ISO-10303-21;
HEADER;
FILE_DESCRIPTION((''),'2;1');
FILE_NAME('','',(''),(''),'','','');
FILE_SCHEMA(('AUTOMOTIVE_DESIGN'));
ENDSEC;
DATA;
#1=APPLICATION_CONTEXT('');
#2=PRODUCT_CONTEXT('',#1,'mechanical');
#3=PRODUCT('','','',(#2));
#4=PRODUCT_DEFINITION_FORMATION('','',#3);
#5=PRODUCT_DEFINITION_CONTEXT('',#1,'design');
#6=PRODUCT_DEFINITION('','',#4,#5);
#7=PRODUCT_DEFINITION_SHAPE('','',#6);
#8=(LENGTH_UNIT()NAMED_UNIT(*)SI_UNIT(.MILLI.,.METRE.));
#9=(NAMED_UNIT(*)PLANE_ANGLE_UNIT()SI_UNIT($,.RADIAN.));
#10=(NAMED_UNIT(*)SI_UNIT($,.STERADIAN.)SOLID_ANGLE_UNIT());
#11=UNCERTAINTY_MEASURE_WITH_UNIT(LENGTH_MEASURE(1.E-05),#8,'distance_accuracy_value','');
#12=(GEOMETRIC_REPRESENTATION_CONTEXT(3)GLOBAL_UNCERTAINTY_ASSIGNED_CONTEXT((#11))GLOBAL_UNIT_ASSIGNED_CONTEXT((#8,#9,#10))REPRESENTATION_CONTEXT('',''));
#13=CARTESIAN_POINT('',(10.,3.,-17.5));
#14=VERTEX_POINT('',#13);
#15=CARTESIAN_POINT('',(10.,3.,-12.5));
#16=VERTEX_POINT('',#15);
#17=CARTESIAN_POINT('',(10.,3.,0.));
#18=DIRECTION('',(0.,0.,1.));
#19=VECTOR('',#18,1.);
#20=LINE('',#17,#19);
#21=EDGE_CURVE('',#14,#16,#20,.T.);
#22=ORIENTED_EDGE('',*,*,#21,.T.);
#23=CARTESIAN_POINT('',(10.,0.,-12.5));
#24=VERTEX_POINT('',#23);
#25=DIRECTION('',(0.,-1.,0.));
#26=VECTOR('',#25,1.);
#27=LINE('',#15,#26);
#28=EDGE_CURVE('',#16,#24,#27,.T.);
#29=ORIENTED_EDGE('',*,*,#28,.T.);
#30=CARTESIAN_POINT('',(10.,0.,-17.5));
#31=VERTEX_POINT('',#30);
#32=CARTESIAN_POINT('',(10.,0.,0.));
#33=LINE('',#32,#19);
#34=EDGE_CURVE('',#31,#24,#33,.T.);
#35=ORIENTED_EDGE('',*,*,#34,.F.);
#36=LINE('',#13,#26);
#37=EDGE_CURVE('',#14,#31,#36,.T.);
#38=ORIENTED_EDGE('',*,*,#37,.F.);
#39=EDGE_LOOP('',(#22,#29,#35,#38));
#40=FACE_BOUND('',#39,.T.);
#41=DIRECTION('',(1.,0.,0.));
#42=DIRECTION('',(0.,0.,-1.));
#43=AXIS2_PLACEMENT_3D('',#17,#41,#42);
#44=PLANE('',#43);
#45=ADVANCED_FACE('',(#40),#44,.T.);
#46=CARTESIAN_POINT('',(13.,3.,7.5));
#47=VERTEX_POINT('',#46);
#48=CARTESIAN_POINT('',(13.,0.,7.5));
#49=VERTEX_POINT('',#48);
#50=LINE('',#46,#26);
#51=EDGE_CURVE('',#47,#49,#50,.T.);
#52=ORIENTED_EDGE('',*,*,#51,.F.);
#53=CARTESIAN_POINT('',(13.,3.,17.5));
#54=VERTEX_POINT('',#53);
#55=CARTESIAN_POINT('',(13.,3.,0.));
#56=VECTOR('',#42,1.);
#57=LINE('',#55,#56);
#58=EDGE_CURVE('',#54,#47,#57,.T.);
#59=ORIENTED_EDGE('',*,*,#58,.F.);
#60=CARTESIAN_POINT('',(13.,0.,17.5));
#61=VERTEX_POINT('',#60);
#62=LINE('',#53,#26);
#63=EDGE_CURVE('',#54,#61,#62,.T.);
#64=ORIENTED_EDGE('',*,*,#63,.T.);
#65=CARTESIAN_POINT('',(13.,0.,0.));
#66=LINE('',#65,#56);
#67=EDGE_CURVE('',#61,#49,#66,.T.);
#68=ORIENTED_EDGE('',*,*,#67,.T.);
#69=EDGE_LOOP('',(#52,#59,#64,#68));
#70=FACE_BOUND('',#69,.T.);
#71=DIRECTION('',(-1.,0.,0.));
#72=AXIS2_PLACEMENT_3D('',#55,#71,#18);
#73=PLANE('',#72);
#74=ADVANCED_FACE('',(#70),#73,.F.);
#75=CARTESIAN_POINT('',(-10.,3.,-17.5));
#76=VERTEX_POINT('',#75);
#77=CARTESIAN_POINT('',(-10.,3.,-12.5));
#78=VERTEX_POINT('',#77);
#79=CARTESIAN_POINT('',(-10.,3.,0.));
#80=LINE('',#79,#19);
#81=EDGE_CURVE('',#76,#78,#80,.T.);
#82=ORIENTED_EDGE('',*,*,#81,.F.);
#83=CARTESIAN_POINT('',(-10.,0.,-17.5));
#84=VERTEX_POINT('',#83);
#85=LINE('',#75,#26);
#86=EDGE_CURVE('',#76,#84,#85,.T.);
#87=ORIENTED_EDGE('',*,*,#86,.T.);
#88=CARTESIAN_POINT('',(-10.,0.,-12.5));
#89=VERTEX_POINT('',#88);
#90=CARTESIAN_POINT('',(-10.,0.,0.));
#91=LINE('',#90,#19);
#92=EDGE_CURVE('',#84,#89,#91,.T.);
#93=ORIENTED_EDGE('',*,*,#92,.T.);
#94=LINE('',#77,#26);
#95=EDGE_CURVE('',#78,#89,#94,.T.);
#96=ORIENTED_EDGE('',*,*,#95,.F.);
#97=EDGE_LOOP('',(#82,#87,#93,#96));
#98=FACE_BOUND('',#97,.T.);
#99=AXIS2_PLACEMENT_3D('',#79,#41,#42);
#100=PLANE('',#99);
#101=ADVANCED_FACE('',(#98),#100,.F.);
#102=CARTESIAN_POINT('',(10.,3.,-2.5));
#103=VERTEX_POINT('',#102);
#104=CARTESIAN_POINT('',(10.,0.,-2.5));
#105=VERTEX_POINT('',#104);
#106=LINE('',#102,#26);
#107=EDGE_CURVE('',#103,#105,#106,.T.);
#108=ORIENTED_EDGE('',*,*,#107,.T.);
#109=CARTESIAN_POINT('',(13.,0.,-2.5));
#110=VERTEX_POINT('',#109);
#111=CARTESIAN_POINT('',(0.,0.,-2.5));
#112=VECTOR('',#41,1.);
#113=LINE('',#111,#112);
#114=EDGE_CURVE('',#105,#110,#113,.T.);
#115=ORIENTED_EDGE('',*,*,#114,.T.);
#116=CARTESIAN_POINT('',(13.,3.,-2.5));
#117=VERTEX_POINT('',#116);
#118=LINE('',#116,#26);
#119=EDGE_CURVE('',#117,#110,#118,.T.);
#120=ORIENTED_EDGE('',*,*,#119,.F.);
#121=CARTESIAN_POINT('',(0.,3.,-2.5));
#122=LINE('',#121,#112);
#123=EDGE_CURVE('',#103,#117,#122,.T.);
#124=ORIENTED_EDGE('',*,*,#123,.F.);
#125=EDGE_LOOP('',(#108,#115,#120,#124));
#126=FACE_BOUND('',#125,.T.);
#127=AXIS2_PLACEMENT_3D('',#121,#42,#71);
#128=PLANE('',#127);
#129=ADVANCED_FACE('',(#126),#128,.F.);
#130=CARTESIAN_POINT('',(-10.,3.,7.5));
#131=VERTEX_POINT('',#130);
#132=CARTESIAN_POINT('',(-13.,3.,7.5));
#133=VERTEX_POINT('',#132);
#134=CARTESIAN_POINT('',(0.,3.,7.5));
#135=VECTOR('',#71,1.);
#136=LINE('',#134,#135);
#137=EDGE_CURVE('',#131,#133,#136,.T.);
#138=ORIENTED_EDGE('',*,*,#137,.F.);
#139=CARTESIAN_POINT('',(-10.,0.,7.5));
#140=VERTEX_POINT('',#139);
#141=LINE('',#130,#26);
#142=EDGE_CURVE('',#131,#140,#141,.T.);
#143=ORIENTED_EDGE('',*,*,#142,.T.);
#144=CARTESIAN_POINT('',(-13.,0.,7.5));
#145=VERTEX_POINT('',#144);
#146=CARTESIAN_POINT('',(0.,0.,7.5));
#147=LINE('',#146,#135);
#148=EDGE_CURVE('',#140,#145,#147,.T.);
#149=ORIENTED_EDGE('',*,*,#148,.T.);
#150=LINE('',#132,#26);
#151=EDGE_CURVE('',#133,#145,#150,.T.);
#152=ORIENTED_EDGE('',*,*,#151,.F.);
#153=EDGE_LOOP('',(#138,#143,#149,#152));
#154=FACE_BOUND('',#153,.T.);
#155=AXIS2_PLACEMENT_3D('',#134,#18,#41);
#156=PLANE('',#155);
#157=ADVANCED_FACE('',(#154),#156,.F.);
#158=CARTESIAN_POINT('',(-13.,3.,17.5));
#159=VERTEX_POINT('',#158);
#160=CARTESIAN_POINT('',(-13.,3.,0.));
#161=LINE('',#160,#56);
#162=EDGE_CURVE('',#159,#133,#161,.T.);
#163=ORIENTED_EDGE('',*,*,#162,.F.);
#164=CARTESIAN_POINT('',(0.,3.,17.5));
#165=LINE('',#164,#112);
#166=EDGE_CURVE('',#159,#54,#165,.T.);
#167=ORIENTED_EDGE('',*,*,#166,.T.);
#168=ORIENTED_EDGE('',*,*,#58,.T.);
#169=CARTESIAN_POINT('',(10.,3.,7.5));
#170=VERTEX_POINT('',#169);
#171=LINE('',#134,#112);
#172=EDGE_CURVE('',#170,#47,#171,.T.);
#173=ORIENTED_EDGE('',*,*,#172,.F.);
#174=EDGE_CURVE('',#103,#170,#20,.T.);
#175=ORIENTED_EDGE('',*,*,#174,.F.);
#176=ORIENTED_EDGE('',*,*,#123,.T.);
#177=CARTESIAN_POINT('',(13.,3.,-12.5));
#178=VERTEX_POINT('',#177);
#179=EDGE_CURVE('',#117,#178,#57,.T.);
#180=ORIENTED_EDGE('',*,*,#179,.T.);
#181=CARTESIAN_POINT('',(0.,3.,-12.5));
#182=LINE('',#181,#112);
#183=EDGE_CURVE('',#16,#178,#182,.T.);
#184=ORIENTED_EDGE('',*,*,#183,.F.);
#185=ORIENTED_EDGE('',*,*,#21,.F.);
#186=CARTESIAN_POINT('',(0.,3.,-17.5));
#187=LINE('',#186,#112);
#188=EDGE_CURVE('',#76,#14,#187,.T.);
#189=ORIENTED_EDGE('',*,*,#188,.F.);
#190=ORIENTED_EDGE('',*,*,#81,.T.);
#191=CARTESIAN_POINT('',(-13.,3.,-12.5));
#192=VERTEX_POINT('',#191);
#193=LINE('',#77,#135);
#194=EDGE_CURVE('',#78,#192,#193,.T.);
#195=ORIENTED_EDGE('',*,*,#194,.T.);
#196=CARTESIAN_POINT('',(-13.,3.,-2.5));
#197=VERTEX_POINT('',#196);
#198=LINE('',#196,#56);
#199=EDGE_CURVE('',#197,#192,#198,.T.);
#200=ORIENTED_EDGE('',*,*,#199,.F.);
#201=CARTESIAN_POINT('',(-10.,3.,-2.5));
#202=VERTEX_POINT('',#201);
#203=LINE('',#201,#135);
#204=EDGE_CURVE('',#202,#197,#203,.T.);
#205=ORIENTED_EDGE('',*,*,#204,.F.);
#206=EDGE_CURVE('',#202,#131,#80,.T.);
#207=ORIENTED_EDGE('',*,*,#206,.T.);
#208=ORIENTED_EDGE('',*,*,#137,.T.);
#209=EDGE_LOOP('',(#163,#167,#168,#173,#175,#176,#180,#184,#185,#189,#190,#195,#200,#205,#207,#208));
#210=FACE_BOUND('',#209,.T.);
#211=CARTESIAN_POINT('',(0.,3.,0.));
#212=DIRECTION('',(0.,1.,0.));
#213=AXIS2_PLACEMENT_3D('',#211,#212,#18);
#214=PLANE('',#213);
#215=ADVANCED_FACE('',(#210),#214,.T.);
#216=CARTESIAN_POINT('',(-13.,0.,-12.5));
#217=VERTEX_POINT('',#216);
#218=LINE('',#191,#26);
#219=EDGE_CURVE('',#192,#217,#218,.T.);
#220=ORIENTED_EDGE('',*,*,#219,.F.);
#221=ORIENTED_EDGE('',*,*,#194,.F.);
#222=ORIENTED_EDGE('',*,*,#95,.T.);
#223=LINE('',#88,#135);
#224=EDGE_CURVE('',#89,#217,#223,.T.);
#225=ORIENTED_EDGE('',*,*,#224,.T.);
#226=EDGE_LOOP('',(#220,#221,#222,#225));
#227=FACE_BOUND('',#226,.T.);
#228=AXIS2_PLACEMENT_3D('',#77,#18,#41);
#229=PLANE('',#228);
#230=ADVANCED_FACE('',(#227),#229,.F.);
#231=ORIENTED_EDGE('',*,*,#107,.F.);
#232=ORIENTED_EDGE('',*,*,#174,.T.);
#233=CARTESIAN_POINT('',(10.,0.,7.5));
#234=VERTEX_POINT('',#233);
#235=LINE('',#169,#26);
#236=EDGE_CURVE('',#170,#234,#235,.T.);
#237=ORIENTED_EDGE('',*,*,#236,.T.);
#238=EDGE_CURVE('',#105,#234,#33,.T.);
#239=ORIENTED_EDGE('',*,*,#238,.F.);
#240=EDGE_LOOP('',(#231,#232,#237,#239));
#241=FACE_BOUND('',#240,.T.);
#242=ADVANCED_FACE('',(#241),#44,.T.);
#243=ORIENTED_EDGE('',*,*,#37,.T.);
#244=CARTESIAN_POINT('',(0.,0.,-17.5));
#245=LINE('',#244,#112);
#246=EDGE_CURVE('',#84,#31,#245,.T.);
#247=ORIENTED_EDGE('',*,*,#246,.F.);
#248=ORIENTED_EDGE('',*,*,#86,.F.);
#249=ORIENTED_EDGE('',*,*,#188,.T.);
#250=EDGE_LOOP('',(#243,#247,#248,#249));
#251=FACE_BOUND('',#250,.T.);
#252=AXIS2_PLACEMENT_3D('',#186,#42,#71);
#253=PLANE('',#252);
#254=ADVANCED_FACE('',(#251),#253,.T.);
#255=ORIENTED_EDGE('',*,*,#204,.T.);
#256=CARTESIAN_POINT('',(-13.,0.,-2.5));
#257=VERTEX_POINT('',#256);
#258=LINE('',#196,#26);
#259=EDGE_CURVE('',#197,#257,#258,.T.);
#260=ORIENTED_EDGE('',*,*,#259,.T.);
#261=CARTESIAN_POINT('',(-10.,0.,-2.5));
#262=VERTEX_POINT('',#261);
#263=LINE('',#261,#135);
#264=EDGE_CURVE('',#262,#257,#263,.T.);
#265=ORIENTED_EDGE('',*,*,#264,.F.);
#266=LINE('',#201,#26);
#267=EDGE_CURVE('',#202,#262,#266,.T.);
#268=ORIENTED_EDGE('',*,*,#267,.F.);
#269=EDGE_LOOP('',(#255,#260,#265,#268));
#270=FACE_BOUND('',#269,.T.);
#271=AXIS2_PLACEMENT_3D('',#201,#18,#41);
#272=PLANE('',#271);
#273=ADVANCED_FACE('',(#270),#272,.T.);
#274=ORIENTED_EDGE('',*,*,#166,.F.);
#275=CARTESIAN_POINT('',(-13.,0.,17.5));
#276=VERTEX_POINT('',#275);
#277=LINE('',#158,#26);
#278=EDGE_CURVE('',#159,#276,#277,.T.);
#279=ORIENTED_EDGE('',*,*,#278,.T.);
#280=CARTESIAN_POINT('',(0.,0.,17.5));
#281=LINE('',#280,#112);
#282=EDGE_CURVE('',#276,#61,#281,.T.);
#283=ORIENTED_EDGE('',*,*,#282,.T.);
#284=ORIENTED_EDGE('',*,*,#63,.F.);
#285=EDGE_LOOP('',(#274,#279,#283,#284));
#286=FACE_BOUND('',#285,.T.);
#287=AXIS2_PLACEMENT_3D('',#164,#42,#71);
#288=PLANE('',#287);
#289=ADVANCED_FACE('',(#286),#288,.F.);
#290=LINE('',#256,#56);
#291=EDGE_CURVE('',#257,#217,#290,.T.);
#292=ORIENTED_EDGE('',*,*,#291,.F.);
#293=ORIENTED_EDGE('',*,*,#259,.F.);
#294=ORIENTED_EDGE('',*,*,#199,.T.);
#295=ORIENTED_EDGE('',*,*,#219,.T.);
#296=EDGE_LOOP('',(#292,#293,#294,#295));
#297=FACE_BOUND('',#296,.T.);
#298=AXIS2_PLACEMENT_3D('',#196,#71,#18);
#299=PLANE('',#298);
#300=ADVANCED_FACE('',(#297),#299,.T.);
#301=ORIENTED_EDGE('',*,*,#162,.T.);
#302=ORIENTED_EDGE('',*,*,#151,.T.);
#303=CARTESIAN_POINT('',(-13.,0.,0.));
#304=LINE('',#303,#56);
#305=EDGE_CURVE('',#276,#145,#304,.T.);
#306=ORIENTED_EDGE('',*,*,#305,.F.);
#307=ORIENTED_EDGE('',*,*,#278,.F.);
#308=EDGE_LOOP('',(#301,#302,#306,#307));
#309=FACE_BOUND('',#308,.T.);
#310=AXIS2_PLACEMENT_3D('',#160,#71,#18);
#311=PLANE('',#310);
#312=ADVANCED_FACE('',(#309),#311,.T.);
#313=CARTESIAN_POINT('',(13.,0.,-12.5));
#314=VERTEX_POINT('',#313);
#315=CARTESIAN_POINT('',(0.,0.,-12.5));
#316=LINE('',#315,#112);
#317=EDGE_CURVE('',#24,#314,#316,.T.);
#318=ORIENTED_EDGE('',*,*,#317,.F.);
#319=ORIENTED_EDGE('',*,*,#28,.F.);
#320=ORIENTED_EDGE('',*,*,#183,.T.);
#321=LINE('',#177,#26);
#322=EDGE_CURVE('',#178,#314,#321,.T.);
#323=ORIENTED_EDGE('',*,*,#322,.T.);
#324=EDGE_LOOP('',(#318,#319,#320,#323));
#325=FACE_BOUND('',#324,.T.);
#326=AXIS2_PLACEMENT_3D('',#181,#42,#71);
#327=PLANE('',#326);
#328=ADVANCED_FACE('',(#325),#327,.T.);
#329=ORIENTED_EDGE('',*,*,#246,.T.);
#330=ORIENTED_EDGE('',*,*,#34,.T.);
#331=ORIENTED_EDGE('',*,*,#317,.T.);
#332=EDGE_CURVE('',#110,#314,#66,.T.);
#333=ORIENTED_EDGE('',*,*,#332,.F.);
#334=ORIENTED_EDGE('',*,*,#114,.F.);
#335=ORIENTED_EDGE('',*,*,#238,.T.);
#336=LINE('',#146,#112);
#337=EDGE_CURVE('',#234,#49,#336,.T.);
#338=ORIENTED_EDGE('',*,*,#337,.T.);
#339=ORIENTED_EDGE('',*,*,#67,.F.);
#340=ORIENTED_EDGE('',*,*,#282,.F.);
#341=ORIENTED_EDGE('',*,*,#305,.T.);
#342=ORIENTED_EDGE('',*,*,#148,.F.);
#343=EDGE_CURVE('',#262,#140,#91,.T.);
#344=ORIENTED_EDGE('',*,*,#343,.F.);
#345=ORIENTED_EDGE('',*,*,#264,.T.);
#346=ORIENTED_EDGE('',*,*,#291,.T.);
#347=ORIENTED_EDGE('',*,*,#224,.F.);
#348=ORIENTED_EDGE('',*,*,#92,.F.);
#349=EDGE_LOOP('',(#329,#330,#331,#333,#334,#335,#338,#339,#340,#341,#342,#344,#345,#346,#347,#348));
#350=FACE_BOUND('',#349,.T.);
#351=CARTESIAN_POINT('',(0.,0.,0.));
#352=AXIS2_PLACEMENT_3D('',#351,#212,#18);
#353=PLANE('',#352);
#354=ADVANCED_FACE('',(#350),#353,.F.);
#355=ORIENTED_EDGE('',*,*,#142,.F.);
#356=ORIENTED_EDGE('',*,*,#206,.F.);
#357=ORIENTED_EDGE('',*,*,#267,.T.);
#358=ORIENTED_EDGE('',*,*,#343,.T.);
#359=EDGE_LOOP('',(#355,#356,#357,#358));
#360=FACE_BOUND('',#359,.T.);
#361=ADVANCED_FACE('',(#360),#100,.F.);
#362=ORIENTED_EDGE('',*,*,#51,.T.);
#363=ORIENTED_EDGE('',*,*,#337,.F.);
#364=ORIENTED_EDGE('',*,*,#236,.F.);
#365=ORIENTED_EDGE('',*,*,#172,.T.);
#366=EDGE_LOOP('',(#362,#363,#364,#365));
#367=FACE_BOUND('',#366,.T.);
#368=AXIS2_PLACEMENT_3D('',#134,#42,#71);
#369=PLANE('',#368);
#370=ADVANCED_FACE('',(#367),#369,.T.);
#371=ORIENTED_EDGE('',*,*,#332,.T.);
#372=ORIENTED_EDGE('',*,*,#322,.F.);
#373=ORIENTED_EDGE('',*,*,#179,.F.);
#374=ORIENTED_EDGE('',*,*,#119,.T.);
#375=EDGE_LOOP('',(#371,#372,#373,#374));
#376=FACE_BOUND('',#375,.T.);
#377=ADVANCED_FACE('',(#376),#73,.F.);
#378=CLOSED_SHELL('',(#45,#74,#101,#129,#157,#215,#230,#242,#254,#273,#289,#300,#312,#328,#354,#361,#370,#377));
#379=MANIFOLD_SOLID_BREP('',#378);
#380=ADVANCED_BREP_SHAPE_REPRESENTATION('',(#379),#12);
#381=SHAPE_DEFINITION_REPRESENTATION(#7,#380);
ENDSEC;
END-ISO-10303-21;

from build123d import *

# Parameters (mm, degrees)
SKETCH_1_W      = 20
SKETCH_1_H      = 35
SKETCH_1_W_2    = 3
SKETCH_1_H_2    = 10
EXTRUDE_1_DEPTH = 3


with BuildPart() as part:
    # 草图1 → 凸台-拉伸1 (new body)
    with BuildSketch(Plane(origin=(0, 0, 0), x_dir=(1, 0, 0), z_dir=(0, 1, 0))):
        Rectangle(SKETCH_1_W, SKETCH_1_H)
        with Locations((11.5, 7.5)):
            Rectangle(SKETCH_1_W_2, SKETCH_1_H_2)
        with Locations((11.5, -12.5)):
            Rectangle(SKETCH_1_W_2, SKETCH_1_H_2)
        with Locations((-11.5, -12.5)):
            Rectangle(SKETCH_1_W_2, SKETCH_1_H_2)
        with Locations((-11.5, 7.5)):
            Rectangle(SKETCH_1_W_2, SKETCH_1_H_2)
    extrude(amount=EXTRUDE_1_DEPTH)


solid = part.part
